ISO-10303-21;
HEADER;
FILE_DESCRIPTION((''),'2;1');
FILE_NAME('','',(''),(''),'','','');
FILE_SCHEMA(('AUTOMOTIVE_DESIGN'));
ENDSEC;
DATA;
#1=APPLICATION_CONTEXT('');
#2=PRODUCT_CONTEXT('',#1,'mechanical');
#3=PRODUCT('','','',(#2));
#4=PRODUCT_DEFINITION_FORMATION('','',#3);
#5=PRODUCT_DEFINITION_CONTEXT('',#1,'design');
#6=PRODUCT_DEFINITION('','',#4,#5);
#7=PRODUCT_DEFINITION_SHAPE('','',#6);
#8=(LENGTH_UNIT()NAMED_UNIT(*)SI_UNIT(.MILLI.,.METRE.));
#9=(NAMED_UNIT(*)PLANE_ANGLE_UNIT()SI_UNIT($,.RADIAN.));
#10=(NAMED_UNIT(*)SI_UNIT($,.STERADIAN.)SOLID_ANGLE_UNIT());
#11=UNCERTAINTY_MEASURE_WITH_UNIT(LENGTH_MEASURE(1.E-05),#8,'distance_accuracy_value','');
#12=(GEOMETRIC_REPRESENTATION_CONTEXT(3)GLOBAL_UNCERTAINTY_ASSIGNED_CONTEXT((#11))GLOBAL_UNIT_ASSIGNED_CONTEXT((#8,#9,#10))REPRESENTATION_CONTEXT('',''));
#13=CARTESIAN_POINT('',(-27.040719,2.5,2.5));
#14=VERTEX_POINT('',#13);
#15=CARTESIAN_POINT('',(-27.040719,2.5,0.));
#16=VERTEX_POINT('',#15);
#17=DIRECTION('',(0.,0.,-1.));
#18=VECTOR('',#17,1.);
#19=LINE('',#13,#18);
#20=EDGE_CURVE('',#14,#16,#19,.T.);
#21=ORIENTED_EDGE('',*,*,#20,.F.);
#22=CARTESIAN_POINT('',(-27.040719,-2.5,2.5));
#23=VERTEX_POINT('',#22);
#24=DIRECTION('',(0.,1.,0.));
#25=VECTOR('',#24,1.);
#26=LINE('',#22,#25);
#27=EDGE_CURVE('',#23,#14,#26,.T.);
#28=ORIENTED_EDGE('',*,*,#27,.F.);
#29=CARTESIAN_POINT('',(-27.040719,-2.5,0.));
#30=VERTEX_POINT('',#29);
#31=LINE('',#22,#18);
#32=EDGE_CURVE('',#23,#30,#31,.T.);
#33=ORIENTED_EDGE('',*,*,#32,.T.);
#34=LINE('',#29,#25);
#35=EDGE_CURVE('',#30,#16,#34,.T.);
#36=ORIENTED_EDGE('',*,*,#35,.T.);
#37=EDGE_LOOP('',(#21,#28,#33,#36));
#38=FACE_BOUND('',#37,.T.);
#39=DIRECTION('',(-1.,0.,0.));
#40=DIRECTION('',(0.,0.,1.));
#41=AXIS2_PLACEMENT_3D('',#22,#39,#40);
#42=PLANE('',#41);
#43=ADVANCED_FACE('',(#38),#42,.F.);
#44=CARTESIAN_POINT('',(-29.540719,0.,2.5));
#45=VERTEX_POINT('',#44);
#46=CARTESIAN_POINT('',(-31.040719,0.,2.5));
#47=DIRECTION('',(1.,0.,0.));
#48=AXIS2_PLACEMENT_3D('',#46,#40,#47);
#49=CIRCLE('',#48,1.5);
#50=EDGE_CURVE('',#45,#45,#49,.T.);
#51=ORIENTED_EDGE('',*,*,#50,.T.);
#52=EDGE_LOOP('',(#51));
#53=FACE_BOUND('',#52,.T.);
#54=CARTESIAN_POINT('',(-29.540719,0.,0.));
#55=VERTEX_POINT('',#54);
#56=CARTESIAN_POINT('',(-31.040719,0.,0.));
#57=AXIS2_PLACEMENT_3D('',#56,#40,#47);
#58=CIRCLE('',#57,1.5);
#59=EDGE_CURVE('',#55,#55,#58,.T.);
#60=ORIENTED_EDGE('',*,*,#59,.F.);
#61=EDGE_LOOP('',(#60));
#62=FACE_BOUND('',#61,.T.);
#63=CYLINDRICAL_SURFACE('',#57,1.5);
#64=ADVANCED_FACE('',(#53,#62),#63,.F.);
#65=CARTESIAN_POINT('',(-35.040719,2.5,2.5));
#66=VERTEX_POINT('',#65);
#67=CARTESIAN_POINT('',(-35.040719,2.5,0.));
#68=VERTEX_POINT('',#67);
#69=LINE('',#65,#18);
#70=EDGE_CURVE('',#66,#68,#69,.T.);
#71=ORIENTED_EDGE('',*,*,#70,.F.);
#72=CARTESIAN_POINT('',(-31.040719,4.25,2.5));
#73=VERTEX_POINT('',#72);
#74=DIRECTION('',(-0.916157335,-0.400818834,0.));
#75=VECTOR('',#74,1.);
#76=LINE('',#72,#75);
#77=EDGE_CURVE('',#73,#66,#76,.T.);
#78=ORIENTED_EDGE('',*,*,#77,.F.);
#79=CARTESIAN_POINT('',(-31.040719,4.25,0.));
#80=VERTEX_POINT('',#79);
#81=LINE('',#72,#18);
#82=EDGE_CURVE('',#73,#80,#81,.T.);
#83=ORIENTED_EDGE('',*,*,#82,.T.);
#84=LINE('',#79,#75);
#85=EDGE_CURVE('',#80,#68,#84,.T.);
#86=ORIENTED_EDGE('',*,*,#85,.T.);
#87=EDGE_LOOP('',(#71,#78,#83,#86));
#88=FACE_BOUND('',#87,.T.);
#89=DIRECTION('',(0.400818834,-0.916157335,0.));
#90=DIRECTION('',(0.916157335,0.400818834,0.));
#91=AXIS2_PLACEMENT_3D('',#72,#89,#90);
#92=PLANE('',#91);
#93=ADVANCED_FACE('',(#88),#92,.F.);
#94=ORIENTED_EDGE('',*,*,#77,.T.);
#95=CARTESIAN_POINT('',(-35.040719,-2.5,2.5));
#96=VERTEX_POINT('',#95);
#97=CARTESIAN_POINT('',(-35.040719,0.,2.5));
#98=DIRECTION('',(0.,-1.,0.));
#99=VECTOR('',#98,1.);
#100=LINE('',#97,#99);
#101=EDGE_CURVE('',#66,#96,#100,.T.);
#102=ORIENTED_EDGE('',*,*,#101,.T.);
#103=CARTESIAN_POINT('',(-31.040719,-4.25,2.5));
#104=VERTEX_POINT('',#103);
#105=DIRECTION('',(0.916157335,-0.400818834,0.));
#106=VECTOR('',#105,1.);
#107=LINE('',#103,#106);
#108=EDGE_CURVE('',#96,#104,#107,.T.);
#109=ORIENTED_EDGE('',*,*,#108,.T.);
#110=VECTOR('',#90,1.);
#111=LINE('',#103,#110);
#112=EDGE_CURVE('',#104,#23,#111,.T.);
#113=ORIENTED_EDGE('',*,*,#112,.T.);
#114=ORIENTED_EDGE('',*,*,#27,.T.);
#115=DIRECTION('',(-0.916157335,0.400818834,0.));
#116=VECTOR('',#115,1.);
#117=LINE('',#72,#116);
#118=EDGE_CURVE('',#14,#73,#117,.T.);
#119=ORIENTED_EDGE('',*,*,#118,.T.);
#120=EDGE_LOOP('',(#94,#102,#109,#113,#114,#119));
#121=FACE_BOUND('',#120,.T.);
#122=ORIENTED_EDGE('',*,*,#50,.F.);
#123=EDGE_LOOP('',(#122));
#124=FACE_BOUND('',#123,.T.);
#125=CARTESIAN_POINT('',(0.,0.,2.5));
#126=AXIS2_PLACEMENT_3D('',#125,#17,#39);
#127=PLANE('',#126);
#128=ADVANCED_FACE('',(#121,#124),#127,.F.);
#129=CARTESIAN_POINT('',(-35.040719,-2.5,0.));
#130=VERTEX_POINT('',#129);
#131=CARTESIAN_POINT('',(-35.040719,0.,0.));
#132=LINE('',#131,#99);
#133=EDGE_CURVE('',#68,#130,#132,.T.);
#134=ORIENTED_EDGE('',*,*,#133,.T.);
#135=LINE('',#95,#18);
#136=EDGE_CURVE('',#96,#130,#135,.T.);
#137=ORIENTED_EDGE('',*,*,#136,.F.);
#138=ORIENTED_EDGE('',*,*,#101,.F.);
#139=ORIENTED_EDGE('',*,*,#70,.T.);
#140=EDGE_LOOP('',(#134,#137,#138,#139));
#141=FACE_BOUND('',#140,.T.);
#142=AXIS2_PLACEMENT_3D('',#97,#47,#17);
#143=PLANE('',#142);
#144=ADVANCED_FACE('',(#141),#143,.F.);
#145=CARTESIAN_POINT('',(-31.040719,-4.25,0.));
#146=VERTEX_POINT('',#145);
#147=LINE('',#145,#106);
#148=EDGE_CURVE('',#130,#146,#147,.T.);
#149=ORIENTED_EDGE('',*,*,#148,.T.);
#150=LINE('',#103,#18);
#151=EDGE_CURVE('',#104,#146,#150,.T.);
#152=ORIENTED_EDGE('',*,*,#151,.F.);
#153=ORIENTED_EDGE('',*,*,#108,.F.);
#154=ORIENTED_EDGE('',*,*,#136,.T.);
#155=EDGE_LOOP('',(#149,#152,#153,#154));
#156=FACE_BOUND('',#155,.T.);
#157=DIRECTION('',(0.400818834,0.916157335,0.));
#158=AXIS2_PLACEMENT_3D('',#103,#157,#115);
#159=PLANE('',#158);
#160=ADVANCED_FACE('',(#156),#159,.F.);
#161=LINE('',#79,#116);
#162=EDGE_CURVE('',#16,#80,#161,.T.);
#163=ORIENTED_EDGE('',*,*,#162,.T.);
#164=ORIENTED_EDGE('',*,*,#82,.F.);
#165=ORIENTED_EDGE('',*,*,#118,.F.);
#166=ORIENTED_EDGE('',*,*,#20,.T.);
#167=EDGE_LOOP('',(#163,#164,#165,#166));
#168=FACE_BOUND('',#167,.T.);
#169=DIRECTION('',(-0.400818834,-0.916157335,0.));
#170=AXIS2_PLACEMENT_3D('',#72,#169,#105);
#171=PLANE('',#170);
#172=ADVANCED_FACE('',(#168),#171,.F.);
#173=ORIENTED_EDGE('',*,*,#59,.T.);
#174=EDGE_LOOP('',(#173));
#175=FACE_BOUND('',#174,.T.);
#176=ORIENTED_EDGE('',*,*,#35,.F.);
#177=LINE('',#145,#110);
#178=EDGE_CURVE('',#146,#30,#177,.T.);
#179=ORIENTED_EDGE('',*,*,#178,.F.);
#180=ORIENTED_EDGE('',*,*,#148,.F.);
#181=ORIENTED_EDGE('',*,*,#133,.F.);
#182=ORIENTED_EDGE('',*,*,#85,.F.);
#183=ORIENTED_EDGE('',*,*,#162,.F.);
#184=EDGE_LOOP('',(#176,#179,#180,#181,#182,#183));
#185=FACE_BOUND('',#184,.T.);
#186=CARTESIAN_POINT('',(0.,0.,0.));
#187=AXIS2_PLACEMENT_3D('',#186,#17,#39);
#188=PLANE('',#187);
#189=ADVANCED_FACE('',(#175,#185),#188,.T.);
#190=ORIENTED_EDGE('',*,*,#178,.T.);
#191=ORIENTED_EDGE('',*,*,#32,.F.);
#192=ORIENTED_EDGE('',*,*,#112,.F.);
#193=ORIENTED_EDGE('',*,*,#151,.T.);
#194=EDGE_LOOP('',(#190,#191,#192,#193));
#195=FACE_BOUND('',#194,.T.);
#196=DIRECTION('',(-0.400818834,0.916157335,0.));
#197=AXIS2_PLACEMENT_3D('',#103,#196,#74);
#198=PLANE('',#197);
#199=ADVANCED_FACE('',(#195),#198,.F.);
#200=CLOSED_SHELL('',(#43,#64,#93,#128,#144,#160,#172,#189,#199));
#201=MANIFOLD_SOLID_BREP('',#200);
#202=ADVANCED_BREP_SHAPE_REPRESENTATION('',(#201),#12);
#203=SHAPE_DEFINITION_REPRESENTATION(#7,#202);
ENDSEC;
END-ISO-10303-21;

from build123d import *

# Parameters (mm, degrees)
SALIENTE_EXTRUIR1_DEPTH = 2.5
CROQUIS2_R              = 1.5
CORTAR_EXTRUIR2_DEPTH   = 2.5


with BuildPart() as part:
    # Croquis1 → Saliente-Extruir1 (new body)
    with BuildSketch(Plane.XY):
        Polygon((-35.040719462, 0), (-35.040719462, 2.5), (-31.040719462, 4.25), (-27.040719462, 2.5), (-27.040719462, -2.5), (-31.040719462, -4.25), (-35.040719462, -2.5), align=None)
    extrude(amount=SALIENTE_EXTRUIR1_DEPTH)

    # Croquis2 → Cortar-Extruir2 (cut)
    with BuildSketch(Plane.XY.offset(2.5)):
        with Locations((-31.040719462, 0)):
            Circle(CROQUIS2_R)
    extrude(amount=-CORTAR_EXTRUIR2_DEPTH, mode=Mode.SUBTRACT)


solid = part.part
